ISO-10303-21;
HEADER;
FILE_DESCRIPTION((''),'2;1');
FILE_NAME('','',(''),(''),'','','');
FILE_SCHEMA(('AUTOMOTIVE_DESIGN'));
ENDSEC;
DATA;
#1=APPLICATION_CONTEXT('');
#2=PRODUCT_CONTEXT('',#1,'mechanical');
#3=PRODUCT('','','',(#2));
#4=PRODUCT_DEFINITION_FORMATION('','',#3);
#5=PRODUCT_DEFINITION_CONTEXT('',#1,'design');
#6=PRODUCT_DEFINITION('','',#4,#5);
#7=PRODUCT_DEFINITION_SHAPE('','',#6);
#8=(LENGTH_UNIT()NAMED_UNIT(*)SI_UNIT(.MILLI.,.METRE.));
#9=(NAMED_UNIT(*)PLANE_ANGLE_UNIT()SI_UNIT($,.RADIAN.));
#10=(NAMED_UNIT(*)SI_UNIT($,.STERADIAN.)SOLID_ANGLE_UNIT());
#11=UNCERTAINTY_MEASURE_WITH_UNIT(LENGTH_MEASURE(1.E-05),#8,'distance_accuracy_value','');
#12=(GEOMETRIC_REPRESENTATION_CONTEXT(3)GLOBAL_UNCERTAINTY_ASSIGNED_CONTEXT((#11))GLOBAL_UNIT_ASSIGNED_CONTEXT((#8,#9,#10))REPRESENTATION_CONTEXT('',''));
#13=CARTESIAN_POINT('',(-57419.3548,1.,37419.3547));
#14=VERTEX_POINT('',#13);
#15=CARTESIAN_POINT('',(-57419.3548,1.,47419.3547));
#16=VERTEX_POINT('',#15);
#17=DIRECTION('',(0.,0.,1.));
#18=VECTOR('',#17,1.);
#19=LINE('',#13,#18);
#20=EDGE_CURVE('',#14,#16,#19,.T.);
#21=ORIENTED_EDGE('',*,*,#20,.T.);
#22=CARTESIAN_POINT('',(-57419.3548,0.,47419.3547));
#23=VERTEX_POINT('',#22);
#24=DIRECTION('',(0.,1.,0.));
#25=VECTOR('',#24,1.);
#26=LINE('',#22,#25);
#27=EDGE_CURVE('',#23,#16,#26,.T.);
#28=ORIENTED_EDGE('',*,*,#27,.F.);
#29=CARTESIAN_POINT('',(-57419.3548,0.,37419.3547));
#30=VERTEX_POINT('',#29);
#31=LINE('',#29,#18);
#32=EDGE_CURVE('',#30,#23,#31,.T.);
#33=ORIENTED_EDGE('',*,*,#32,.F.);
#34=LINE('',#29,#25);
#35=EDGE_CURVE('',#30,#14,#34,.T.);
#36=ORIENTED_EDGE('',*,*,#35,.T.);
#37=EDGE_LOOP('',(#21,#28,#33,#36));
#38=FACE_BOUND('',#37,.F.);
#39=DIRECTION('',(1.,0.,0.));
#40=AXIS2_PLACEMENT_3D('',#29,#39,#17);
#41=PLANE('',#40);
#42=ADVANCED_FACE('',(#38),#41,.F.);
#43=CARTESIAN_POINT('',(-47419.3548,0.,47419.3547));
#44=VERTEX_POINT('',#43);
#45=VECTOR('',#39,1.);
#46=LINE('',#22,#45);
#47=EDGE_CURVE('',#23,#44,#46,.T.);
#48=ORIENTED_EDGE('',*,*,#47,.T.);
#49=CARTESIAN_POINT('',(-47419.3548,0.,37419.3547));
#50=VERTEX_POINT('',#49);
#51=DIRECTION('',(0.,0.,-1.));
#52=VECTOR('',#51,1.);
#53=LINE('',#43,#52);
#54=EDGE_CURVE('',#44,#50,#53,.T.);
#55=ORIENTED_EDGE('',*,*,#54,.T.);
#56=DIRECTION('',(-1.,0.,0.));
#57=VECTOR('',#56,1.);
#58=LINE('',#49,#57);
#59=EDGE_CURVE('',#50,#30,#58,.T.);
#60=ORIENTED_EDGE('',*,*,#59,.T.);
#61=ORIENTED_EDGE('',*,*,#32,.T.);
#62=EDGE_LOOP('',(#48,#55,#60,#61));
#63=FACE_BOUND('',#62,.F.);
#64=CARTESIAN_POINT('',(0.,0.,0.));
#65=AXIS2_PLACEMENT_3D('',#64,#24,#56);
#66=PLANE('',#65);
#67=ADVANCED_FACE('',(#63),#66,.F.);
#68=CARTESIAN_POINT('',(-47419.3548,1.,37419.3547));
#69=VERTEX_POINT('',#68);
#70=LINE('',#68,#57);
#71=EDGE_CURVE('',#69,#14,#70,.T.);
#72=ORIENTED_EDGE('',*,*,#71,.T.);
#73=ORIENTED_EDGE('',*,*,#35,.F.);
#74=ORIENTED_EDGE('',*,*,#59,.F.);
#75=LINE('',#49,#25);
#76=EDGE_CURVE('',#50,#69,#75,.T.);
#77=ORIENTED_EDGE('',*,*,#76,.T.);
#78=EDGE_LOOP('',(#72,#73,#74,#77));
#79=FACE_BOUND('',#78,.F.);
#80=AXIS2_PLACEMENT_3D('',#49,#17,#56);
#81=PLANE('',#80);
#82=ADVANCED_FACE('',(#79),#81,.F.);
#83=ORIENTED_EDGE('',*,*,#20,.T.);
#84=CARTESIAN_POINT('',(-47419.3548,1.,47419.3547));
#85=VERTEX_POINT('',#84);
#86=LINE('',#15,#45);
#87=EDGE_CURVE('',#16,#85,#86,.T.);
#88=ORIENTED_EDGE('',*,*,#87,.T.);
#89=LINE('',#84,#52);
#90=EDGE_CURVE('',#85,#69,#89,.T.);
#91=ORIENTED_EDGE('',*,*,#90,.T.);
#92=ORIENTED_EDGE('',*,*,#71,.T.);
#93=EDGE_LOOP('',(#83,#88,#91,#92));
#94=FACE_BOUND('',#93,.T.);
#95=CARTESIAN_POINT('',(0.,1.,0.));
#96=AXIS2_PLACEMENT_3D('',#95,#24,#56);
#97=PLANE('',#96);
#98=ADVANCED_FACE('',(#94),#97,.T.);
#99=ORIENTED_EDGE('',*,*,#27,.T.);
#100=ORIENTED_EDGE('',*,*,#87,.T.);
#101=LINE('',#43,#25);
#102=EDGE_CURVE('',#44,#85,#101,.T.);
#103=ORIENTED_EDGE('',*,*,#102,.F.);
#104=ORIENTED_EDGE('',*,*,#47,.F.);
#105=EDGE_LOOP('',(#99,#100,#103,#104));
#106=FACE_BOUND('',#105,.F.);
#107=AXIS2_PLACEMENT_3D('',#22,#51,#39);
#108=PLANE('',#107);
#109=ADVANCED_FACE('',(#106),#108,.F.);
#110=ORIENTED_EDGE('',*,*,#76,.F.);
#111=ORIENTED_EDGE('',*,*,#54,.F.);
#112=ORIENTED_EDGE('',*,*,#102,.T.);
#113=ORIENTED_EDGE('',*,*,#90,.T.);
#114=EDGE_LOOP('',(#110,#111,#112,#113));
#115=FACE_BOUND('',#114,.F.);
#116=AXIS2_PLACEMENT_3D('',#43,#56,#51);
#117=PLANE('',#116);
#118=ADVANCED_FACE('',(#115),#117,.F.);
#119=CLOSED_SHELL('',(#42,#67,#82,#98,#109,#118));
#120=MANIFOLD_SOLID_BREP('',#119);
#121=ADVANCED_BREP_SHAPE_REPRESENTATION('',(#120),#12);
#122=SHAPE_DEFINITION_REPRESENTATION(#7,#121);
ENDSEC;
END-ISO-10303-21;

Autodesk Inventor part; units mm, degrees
ref_plane "YZ Plane" through (0, 0, 0) normal (1, 0, 0) x (0, 1, 0)
ref_plane "XZ Plane" through (0, 0, 0) normal (0, 1, 0) x (-1, 0, 0)
ref_plane "XY Plane" through (0, 0, 0) normal (0, 0, 1) x (1, 0, 0)
sketch "Szkic1" plane through (0, 0, 0) normal (0, 1, 0) x (-1, 0, 0)
  line L0 (57419.3548, 47419.3547) -> (47419.3548, 47419.3547)
  line L1 (47419.3548, 47419.3547) -> (47419.3548, 37419.3547)
  line L2 (47419.3548, 37419.3547) -> (57419.3548, 37419.3547)
  line L3 (57419.3548, 37419.3547) -> (57419.3548, 47419.3547)
  point P0 (0, 0)
  dimension "d0" = 10000
  dimension "d1" = 10000
extrude "Wyciągnięcie proste1" add sketch "Szkic1" along normal blind 1
properties part number "Podłoga"
